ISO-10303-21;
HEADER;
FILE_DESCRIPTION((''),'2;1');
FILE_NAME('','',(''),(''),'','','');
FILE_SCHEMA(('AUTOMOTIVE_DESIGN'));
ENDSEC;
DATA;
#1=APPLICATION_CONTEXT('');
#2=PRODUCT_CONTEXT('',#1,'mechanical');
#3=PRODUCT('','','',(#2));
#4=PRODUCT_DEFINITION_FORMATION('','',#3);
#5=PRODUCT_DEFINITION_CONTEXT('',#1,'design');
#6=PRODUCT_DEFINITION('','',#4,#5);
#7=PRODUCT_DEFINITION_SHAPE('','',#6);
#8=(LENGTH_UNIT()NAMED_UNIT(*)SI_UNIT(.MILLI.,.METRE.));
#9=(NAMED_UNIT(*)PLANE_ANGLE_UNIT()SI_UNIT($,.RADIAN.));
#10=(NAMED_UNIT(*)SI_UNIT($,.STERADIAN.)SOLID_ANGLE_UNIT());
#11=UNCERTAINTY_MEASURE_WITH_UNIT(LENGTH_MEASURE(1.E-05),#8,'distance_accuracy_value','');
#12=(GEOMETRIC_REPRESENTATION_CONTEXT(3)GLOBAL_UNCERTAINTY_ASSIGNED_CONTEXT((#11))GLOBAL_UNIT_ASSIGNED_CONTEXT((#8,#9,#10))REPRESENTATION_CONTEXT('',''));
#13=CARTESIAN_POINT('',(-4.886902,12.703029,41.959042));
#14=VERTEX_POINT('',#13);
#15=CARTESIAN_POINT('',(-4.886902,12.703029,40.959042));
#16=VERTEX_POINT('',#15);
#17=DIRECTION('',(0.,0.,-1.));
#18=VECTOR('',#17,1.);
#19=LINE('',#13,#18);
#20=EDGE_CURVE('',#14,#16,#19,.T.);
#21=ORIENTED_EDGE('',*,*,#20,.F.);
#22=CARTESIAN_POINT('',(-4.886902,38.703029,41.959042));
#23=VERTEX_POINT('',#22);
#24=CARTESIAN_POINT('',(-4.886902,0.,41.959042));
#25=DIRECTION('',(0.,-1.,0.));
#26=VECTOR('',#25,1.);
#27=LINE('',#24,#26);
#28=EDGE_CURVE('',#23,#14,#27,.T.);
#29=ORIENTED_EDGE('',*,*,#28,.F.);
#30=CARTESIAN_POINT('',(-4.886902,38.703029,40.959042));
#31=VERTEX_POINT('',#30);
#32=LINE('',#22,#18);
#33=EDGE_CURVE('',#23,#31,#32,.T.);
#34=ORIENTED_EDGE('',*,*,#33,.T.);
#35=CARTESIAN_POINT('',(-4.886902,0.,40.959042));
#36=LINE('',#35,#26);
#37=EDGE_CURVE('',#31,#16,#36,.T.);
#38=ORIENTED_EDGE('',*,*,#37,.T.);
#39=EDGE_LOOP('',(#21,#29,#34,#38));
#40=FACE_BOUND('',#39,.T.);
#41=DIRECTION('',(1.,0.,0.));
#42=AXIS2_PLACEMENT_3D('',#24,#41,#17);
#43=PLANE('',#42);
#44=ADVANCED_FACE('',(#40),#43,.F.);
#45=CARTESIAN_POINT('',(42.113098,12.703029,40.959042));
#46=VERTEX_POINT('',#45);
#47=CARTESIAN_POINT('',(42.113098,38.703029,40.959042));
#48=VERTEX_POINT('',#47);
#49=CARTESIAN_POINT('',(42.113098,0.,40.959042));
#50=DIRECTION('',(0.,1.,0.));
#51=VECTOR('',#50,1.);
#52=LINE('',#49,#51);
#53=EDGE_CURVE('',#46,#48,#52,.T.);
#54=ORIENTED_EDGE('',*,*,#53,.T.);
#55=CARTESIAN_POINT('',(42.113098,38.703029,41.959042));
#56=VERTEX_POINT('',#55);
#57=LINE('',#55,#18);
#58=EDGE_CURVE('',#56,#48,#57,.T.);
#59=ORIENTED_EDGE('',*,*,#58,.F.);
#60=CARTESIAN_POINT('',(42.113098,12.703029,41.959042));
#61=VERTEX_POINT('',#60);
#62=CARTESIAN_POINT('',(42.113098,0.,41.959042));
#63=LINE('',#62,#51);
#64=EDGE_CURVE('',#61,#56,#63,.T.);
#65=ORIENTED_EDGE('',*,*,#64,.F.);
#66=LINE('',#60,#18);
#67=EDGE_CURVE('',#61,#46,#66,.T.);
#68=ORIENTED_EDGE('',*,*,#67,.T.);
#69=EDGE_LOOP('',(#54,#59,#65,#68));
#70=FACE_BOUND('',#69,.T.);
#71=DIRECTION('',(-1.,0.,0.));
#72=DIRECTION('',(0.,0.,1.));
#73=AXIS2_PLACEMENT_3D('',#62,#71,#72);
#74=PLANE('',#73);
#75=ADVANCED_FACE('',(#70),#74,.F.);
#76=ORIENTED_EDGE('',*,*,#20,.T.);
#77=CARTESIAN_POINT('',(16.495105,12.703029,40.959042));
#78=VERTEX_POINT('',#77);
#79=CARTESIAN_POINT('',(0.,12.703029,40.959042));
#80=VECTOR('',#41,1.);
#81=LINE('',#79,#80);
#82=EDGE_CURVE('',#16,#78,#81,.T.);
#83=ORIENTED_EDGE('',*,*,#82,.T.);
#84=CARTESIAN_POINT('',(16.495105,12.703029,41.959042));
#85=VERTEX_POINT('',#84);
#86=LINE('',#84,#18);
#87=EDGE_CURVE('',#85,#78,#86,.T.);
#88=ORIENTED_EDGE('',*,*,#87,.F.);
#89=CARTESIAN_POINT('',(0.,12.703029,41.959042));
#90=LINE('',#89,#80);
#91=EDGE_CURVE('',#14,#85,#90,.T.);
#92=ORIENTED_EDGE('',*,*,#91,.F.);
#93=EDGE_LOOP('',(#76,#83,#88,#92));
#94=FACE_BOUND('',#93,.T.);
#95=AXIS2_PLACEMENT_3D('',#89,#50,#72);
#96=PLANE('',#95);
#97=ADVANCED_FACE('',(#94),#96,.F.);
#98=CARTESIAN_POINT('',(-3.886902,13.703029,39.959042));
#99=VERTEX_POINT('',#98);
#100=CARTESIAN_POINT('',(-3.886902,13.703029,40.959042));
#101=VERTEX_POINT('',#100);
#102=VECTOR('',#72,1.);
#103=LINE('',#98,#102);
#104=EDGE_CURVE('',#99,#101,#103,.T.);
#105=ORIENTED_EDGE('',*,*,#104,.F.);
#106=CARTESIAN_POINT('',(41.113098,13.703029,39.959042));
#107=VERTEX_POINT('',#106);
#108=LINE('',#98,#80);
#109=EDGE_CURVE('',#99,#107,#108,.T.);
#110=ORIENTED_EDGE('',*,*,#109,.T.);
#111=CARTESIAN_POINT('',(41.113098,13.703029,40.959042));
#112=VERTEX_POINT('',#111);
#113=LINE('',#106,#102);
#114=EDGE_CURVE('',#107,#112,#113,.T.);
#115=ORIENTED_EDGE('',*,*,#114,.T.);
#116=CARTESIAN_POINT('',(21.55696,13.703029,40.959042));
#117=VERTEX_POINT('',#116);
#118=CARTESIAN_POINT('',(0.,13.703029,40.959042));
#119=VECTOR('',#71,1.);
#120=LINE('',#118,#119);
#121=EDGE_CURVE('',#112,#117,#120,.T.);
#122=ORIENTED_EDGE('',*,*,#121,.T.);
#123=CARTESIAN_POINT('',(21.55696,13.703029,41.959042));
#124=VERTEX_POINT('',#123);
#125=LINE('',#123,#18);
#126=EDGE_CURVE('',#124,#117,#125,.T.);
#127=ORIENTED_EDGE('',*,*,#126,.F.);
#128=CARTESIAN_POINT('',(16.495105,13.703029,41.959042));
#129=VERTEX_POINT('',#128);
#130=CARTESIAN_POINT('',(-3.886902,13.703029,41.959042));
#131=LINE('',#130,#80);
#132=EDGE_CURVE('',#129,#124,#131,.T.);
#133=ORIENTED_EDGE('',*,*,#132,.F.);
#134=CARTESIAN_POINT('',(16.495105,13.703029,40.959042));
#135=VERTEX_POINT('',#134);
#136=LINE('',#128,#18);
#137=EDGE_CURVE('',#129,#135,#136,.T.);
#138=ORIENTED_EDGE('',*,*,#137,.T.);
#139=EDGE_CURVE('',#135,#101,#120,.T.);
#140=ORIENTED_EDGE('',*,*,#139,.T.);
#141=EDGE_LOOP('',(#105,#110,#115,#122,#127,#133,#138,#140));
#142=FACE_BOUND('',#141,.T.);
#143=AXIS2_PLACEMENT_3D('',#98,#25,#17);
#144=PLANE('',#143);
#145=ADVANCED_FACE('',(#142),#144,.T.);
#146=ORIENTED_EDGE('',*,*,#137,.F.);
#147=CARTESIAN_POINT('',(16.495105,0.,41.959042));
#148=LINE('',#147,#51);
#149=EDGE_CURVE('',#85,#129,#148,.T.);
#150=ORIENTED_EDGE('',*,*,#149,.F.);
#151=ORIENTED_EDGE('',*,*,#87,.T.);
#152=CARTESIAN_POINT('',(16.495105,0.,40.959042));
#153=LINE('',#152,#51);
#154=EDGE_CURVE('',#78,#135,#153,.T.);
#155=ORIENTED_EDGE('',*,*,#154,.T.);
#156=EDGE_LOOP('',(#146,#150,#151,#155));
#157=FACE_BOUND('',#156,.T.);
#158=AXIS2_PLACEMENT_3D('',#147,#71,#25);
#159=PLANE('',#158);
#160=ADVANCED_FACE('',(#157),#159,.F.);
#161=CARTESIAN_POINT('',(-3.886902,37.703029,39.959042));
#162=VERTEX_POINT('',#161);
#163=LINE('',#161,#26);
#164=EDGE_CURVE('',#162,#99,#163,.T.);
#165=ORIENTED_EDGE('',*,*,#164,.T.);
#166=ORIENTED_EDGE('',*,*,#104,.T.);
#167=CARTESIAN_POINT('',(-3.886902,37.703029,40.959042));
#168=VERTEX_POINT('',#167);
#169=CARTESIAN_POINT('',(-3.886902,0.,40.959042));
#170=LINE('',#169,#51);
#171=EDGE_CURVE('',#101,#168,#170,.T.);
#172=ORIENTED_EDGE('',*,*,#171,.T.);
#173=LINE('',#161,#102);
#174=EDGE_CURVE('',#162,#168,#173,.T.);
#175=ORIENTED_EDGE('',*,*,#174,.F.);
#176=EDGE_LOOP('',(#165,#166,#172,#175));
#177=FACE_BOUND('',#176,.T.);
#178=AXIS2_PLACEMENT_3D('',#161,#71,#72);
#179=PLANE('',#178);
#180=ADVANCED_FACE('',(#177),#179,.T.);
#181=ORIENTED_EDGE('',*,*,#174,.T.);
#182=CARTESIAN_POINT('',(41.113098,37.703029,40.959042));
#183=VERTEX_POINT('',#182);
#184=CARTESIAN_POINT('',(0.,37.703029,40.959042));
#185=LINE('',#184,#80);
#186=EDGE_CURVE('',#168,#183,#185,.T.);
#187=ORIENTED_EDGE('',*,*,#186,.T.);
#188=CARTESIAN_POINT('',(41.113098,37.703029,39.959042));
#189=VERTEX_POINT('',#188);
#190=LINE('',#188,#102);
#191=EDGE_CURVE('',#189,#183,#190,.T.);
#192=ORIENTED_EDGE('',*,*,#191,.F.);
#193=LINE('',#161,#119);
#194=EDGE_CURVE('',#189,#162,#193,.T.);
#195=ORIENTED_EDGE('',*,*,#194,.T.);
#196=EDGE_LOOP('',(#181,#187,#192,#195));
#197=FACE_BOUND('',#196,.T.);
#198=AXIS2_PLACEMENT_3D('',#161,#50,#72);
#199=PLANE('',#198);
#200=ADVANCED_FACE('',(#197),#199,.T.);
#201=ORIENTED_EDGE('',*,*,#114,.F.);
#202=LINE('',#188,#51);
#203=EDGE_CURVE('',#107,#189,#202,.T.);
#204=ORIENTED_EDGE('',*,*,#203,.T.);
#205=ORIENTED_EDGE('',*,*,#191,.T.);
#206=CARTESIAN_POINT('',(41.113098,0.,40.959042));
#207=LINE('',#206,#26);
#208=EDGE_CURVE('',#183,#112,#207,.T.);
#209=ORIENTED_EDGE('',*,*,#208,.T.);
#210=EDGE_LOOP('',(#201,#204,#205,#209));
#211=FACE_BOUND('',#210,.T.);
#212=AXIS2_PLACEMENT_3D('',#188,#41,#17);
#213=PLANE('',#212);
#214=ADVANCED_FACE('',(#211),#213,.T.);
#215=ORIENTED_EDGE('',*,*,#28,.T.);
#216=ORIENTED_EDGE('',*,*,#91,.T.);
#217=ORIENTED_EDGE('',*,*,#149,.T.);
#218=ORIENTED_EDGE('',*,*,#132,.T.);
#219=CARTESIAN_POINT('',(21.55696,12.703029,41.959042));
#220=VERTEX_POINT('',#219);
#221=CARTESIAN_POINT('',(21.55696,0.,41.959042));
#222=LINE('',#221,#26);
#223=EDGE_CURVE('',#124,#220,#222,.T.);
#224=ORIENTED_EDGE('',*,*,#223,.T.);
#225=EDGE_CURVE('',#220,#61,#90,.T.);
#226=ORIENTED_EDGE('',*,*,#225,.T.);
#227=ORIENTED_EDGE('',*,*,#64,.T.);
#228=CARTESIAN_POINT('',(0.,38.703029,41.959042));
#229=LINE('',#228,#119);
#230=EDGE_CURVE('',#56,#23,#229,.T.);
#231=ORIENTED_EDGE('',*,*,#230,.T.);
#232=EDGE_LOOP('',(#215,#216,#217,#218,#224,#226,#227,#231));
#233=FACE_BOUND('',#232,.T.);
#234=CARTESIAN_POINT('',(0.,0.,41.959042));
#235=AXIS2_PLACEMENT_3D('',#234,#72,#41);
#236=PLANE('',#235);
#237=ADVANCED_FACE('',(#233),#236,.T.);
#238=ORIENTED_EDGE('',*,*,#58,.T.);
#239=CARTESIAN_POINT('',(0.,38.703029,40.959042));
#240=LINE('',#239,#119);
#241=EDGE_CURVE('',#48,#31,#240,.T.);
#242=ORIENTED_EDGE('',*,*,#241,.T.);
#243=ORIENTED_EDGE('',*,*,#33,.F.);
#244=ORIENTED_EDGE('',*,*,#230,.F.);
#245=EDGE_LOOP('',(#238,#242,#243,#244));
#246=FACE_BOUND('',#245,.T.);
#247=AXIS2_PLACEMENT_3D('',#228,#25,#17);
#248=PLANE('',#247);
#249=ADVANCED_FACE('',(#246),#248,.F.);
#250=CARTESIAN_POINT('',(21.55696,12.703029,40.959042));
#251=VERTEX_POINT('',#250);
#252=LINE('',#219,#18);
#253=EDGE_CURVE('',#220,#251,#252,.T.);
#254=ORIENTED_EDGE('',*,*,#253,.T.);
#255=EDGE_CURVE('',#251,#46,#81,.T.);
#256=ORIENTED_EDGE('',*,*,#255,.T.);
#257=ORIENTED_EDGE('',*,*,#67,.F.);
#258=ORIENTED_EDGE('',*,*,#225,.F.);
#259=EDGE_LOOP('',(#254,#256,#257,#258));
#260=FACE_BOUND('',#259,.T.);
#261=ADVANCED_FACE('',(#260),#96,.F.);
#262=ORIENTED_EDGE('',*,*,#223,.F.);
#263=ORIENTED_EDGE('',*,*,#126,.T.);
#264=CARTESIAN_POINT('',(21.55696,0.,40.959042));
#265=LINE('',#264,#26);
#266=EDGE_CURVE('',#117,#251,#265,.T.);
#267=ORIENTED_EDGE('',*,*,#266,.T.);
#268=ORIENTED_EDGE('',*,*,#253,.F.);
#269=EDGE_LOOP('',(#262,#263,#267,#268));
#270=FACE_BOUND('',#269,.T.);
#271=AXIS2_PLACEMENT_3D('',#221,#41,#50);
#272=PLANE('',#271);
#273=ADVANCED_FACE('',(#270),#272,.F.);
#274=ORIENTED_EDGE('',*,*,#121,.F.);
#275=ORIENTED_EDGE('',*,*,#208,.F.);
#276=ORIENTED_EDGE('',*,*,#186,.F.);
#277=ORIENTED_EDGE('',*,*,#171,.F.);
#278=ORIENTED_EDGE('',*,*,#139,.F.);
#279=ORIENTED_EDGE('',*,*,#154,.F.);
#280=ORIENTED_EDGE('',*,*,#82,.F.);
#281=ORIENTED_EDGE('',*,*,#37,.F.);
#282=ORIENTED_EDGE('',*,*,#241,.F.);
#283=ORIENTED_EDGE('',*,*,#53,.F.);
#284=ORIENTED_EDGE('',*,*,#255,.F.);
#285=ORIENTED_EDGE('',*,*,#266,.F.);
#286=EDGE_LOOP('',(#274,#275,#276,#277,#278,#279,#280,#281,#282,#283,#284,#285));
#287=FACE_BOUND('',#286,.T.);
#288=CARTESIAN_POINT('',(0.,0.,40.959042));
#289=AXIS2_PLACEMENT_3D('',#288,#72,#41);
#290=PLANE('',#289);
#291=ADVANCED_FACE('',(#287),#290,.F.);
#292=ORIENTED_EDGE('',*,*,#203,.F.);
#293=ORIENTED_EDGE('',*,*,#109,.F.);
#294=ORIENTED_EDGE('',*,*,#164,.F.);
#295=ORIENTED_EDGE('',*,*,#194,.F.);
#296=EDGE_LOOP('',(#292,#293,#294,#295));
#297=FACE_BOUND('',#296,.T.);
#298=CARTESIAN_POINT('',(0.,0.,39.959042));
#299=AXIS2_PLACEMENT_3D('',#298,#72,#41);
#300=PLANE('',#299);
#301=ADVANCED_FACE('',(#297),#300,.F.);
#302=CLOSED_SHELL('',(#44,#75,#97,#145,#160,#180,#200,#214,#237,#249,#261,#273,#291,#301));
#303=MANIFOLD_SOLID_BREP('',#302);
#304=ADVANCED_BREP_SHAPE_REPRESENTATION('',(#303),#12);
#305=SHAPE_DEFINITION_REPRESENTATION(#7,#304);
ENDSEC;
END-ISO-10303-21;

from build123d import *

# Parameters (mm, degrees)
BOSS_EXTRUDE1_DEPTH = 1
SKETCH2_W           = 45
SKETCH2_H           = 24
BOSS_EXTRUDE2_DEPTH = 2


with BuildPart() as part:
    # Sketch1 → Boss-Extrude1 (new body)
    with BuildSketch(Plane.XY.offset(40.959042005)):
        Polygon((16.495104543, 13.703029386), (-3.886901765, 13.703029386), (-3.886901765, 37.703029386), (41.113098235, 37.703029386), (41.113098235, 13.703029386), (21.556960057, 13.703029386), (21.556960057, 12.703029386), (42.113098235, 12.703029386), (42.113098235, 38.703029386), (-4.886901765, 38.703029386), (-4.886901765, 12.703029386), (16.495104543, 12.703029386), align=None)
    extrude(amount=BOSS_EXTRUDE1_DEPTH)

    # Sketch2 → Boss-Extrude2 (add)
    with BuildSketch(Plane.XY.offset(41.959042005)):
        with Locations((18.613098235, 25.703029386)):
            Rectangle(SKETCH2_W, SKETCH2_H)
    extrude(amount=-BOSS_EXTRUDE2_DEPTH)


solid = part.part
